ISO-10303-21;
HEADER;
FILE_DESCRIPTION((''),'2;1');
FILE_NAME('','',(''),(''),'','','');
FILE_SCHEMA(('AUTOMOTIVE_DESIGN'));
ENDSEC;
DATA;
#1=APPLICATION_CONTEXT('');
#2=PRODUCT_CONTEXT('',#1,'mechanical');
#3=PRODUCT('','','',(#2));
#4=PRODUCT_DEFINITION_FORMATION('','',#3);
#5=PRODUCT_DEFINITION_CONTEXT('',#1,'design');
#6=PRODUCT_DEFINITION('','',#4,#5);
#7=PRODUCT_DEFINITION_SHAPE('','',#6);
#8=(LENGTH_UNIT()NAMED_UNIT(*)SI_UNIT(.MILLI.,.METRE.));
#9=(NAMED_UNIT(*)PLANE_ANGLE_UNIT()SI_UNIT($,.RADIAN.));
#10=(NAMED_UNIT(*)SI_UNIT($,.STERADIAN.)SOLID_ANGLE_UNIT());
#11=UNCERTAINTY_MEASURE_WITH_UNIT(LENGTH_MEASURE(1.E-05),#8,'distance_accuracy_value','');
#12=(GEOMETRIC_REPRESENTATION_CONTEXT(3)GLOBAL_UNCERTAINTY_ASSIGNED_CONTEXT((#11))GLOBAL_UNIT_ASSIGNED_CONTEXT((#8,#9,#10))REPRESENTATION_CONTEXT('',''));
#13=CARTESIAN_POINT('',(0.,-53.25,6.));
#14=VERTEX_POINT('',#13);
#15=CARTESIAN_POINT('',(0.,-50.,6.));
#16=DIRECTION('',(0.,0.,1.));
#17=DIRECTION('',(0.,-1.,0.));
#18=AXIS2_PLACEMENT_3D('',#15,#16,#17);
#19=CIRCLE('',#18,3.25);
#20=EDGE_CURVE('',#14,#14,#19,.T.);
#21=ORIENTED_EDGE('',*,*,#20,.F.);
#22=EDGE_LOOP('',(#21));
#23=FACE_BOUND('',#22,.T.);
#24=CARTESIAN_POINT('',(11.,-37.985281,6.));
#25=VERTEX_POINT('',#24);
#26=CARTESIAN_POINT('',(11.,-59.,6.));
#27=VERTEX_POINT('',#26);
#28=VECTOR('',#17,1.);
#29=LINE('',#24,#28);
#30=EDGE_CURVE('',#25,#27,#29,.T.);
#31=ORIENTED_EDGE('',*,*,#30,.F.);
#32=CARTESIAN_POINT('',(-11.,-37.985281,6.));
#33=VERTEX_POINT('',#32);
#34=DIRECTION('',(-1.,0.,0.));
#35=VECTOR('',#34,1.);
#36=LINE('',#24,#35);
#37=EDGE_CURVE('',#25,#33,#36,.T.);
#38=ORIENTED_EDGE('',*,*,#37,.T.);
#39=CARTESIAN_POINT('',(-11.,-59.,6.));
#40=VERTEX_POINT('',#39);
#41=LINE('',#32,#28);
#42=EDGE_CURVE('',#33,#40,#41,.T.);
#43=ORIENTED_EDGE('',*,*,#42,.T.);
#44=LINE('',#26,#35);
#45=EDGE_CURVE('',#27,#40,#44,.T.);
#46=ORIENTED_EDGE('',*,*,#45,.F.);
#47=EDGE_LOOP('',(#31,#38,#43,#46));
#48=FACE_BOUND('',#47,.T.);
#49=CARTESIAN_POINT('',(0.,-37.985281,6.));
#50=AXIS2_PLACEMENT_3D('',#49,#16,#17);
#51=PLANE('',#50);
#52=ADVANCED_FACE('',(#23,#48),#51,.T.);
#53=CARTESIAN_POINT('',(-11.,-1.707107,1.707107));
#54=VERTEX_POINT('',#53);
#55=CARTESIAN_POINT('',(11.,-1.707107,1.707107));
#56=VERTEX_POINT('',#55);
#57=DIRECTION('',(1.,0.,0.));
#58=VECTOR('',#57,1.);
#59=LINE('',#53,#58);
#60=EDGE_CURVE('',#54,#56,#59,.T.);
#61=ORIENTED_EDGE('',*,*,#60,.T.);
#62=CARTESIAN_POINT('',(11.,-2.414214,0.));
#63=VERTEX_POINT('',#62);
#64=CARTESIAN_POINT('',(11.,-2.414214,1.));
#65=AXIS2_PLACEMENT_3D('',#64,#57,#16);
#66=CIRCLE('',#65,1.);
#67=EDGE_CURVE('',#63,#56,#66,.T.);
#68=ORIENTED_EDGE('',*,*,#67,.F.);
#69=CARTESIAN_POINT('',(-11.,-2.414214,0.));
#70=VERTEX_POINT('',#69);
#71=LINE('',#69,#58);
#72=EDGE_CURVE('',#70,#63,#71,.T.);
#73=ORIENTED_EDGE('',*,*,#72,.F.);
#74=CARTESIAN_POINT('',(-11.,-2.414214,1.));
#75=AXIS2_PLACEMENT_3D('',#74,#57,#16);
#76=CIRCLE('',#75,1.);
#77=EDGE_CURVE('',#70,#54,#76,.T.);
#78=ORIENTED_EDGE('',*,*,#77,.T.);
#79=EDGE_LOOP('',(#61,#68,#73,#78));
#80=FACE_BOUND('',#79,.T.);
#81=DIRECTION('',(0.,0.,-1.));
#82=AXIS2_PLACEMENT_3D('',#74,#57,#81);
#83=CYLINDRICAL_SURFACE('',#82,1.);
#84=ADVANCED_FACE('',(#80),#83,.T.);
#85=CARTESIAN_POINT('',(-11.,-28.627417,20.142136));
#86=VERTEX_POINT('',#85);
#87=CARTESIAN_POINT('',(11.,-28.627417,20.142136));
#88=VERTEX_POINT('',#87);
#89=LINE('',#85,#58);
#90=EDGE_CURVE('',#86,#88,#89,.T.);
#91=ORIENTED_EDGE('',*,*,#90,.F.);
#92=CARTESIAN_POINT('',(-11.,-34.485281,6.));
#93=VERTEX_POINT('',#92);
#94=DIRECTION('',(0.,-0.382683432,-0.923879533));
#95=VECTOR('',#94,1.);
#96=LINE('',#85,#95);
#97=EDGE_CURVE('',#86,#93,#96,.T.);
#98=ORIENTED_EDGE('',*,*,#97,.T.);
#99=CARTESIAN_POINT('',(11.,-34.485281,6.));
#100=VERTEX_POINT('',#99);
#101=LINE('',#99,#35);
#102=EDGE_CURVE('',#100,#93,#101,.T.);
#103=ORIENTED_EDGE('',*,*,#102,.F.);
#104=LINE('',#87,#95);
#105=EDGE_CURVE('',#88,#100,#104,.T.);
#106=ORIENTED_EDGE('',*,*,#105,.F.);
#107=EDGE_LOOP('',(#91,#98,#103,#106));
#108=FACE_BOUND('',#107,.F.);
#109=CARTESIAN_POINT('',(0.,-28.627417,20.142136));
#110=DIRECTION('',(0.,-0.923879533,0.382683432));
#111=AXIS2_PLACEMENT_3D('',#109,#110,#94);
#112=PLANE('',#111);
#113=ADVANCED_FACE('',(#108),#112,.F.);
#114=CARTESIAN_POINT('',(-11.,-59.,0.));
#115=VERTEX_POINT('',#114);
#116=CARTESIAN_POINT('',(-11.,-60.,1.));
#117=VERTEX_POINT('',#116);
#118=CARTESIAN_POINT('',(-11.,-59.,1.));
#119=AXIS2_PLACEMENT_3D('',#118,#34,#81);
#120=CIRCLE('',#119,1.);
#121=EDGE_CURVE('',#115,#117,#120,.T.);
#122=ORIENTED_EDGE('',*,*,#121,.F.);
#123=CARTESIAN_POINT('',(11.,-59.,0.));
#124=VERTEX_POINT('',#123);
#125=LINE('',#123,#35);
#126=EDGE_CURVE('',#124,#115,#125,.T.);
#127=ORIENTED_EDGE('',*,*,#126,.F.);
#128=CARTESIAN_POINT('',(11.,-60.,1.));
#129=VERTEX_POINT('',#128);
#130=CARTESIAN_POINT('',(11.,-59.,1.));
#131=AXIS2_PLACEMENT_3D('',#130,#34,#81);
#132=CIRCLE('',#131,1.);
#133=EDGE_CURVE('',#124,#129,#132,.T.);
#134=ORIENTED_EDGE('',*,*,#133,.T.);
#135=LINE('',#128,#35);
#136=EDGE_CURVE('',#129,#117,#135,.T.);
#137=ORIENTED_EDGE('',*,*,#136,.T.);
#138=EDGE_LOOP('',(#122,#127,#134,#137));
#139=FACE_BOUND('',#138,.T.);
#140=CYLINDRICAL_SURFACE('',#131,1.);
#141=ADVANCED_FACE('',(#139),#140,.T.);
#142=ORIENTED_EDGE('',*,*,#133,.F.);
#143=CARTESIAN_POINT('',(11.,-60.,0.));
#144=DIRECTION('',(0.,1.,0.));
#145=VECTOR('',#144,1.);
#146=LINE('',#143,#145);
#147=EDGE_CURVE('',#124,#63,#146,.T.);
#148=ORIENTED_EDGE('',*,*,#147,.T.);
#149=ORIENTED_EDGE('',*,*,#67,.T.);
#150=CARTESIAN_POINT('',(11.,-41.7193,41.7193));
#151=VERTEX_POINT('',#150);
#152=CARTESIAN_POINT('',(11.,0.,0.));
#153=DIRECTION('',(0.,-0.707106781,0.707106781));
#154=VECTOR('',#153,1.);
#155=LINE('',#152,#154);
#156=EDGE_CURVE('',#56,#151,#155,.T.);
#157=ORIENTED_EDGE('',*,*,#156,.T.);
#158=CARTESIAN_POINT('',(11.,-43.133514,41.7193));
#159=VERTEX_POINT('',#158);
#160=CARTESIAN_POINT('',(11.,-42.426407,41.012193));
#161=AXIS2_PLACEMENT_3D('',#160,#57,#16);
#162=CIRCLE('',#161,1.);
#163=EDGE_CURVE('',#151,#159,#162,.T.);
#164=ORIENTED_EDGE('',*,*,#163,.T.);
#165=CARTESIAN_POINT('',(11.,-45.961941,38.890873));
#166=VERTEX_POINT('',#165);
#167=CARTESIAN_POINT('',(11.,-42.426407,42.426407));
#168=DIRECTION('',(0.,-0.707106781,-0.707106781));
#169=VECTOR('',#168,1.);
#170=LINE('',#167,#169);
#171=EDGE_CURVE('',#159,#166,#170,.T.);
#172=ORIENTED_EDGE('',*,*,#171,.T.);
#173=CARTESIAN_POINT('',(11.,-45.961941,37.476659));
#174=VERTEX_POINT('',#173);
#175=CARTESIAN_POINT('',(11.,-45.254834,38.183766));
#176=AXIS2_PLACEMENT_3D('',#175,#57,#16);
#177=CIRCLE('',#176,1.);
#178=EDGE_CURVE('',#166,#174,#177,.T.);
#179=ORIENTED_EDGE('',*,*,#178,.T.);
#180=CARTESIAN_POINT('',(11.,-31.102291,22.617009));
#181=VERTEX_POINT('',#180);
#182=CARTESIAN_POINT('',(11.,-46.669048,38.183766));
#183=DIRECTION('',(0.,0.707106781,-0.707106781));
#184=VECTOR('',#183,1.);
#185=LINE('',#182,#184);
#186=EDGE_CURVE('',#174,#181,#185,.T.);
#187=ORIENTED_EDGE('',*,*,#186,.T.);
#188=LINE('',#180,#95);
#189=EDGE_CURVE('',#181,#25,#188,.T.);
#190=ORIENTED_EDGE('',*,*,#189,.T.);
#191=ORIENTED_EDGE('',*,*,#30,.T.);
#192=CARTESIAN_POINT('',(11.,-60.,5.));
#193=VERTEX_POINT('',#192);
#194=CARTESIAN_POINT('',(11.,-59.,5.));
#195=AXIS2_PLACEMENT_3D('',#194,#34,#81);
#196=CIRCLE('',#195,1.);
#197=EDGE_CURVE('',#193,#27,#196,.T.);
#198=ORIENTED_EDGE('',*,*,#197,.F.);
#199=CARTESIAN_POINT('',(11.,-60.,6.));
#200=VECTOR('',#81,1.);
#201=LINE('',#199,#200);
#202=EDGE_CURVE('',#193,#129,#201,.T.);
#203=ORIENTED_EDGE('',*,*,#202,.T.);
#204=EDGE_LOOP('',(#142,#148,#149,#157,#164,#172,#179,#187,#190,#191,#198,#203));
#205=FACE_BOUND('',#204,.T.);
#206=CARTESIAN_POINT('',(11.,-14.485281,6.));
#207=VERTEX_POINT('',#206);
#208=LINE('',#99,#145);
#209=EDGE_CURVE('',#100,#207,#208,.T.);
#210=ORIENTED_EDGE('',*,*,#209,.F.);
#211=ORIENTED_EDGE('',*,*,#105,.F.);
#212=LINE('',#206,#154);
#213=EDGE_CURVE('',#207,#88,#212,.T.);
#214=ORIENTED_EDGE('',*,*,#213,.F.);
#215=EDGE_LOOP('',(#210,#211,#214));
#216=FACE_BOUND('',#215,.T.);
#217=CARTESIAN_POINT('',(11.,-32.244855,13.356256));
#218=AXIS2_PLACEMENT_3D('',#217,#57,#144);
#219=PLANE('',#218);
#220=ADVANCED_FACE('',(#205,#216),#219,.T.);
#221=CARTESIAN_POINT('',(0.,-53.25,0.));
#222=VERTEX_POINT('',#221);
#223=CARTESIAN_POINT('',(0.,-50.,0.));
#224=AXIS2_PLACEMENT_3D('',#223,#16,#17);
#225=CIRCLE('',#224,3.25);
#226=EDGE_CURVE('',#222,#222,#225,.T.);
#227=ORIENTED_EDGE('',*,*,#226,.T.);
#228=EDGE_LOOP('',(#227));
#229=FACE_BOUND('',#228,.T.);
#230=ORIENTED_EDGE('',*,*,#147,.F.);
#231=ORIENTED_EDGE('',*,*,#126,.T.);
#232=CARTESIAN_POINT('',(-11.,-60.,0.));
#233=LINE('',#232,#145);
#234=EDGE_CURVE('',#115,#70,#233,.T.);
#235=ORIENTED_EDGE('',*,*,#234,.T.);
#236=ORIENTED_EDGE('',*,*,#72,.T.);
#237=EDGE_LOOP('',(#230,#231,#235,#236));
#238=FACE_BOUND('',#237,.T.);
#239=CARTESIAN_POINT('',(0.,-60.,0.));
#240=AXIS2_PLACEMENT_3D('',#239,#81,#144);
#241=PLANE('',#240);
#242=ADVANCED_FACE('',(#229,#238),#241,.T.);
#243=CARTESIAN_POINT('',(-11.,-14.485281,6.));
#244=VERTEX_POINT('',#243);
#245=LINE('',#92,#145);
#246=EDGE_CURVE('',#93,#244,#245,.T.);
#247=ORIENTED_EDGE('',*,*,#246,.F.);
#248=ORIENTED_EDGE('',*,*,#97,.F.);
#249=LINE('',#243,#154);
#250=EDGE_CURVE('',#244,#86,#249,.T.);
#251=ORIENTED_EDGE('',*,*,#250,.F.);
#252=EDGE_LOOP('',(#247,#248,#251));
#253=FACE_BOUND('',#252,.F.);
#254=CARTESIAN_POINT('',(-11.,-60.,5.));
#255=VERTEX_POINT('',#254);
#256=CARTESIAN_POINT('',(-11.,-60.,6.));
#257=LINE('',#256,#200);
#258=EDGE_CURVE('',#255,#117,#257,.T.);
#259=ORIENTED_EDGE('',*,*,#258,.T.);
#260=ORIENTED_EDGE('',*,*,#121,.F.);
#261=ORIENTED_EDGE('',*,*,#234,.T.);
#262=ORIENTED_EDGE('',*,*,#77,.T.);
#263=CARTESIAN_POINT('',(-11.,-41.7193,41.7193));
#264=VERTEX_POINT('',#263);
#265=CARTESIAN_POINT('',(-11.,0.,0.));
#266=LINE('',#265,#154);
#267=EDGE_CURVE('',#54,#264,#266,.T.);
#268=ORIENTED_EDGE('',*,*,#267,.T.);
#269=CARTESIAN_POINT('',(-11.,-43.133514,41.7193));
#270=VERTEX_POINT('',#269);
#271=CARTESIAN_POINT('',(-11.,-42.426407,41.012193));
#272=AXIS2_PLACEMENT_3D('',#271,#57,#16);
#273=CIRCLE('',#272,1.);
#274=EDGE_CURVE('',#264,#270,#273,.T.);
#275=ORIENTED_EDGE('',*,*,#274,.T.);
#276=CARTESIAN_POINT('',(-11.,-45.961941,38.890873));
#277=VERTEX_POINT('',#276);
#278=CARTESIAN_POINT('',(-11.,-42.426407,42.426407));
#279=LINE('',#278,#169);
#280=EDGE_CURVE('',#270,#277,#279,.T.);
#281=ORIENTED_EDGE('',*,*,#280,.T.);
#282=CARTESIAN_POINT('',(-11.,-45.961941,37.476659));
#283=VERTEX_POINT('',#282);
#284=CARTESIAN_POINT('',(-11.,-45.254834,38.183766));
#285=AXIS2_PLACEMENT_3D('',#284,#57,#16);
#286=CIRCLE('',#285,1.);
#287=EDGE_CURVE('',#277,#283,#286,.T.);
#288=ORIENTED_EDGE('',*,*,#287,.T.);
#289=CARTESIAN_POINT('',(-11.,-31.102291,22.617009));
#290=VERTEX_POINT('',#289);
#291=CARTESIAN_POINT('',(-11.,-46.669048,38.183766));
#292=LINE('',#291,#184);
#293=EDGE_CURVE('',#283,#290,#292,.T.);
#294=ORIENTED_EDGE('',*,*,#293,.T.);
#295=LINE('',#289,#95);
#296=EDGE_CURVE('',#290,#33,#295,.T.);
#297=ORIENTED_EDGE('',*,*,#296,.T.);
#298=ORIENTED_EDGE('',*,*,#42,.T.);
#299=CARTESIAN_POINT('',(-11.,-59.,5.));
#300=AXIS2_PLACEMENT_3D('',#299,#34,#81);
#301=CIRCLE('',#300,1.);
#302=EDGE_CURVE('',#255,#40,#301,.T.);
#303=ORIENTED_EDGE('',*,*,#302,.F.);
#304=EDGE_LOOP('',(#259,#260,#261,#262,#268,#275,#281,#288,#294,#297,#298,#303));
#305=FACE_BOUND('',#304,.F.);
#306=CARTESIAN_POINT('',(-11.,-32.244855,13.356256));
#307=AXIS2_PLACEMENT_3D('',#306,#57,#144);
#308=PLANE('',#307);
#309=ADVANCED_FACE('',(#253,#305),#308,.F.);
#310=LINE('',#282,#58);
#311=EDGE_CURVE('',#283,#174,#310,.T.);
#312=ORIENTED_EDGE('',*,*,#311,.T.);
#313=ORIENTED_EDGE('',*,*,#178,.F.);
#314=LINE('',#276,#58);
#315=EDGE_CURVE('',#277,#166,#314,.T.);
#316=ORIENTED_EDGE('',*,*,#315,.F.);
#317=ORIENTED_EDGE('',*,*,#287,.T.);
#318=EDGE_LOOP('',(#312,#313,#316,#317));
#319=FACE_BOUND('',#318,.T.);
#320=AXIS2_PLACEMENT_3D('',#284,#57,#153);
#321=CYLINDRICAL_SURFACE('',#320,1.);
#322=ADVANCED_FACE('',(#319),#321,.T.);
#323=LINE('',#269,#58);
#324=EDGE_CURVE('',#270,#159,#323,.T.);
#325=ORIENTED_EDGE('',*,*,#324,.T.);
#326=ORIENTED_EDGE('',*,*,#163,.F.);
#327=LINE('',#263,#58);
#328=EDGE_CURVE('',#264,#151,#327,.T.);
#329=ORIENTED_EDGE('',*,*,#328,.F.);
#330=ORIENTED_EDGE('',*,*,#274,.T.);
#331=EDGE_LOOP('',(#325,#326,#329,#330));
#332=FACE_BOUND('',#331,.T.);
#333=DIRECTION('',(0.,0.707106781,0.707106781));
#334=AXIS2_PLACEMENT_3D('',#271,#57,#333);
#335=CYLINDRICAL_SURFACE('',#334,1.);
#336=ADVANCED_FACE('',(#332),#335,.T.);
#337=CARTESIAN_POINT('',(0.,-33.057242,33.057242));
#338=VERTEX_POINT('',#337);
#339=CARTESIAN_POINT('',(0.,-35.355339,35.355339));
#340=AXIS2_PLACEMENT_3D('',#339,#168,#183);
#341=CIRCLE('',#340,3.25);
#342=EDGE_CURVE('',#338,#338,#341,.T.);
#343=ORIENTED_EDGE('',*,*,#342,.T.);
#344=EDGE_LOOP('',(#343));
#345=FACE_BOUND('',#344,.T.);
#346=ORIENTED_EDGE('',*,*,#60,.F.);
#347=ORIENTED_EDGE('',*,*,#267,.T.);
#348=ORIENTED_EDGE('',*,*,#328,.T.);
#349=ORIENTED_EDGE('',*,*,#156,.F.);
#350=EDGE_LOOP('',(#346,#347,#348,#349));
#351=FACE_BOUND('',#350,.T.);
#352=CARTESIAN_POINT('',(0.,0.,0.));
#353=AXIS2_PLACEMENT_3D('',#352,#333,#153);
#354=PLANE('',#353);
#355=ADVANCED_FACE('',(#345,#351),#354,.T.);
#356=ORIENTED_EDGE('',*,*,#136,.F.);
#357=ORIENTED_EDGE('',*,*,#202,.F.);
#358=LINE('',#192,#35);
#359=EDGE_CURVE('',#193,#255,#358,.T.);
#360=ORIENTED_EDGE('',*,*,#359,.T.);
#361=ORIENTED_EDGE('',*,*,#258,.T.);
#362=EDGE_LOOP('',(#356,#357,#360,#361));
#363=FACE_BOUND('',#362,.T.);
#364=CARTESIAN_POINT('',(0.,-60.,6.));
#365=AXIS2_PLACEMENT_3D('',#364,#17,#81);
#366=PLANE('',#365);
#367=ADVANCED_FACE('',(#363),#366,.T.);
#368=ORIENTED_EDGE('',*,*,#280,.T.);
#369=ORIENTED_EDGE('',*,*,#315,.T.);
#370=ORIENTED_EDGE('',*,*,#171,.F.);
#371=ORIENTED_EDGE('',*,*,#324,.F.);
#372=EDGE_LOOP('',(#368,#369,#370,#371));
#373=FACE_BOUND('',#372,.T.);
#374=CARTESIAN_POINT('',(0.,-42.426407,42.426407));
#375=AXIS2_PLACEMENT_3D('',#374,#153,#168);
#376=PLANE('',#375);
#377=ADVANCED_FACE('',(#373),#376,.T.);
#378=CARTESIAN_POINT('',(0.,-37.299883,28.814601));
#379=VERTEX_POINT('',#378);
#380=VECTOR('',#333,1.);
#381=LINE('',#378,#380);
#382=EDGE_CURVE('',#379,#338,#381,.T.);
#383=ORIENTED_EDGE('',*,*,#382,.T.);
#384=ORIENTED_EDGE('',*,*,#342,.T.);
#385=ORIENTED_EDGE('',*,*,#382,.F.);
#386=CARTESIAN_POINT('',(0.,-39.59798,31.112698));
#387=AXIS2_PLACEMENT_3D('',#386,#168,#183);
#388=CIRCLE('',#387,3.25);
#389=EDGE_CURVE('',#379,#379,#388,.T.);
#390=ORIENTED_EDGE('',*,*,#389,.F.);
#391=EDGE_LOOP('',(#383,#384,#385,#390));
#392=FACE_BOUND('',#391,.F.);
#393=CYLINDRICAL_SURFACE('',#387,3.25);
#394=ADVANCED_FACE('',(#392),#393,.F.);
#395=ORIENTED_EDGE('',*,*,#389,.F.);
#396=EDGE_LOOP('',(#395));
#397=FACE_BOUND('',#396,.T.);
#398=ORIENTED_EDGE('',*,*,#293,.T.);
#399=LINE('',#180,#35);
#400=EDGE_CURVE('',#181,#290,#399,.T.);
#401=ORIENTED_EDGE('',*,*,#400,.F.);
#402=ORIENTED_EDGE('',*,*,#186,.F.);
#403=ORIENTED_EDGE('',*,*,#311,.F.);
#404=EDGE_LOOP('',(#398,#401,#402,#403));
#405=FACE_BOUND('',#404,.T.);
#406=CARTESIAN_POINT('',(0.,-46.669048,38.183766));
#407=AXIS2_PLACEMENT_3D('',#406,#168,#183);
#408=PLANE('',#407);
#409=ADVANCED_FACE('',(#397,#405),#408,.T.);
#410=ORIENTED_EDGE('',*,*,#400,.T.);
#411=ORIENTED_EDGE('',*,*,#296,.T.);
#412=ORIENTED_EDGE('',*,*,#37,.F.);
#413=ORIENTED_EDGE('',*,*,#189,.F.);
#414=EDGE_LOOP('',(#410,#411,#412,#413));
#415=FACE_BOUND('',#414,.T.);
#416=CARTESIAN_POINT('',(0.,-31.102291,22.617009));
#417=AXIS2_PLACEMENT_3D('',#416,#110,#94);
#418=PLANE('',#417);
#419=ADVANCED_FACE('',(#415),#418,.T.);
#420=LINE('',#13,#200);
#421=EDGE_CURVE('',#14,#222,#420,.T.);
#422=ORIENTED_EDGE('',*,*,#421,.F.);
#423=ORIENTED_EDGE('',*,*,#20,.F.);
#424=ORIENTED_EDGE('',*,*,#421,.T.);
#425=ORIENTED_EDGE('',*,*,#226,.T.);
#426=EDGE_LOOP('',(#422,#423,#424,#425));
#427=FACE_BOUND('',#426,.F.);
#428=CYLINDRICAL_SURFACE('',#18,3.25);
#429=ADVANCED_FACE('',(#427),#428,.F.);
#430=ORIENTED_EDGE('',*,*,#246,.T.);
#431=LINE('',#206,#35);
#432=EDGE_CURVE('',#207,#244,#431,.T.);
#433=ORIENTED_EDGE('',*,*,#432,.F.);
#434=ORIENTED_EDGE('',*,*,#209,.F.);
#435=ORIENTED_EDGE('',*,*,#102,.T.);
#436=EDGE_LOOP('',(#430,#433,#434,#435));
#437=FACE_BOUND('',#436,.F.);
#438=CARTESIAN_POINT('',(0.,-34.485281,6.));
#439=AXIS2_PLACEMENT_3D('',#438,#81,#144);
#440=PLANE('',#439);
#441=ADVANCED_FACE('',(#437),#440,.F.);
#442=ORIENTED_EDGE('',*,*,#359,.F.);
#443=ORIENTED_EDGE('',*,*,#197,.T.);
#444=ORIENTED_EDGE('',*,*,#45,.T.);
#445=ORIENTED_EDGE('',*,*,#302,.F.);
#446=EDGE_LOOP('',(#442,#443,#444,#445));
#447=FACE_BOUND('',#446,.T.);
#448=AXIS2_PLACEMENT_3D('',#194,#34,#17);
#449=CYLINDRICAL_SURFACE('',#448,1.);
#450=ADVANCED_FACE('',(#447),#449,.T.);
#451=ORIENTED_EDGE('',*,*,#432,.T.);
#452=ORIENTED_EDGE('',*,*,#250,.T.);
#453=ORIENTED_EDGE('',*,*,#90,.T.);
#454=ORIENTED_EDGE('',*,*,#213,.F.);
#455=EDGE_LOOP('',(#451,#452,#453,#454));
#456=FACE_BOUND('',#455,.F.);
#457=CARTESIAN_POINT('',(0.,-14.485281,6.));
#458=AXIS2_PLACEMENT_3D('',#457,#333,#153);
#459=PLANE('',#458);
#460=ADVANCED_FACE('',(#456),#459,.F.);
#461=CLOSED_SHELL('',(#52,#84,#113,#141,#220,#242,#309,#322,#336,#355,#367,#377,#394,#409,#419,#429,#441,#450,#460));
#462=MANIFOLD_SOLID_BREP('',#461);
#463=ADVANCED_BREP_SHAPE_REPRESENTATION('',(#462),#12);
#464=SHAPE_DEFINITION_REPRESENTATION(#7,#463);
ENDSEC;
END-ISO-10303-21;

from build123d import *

# Parameters (mm, degrees)
PAD_DEPTH       = 11
SKETCH001_R     = 3.25
POCKET_DEPTH    = 6
SKETCH002_R     = 3.25
POCKET001_DEPTH = 6
FILLET_R        = 1


with BuildPart() as part:
    # Sketch → Pad (new body, symmetric)
    with BuildSketch(Plane.YZ):
        Polygon((-60, 0), (0, 0), (-42.4264068712, 42.4264068712), (-46.6690475583, 38.1837661841), (-31.1022907321, 22.6170093579), (-37.9852813742, 6), (-60, 6), align=None)
        Polygon((-28.627416998, 20.1421356237), (-34.4852813742, 6), (-14.4852813742, 6), align=None, mode=Mode.SUBTRACT)
    extrude(amount=PAD_DEPTH, both=True)

    # Sketch001 (on Face6 of Pad) → Pocket (cut)
    with BuildSketch(Plane(origin=(0, 0, 6), x_dir=(0, -1, 0), z_dir=(0, 0, 1))):
        with Locations((50, 0)):
            Circle(SKETCH001_R)
    extrude(amount=-POCKET_DEPTH, mode=Mode.SUBTRACT)

    # Sketch002 (on Face9 of Pocket) → Pocket001 (cut)
    with BuildSketch(Plane(origin=(0, -4.2426406871, -4.2426406871), x_dir=(0, 0.7071067812, -0.7071067812), z_dir=(0, -0.7071067812, -0.7071067812))):
        with Locations((-50, 0)):
            Circle(SKETCH002_R)
    extrude(amount=-POCKET001_DEPTH, mode=Mode.SUBTRACT)

    # Fillet
    fillet_edges = [part.edges().sort_by_distance(p)[0] for p in [
        (0, 0, 0),
        (0, -60, 0),
        (0, -60, 6),
        (0, -46.669048, 38.183766),
        (0, -42.426407, 42.426407),
    ]]
    fillet(fillet_edges, radius=FILLET_R)


solid = part.part
